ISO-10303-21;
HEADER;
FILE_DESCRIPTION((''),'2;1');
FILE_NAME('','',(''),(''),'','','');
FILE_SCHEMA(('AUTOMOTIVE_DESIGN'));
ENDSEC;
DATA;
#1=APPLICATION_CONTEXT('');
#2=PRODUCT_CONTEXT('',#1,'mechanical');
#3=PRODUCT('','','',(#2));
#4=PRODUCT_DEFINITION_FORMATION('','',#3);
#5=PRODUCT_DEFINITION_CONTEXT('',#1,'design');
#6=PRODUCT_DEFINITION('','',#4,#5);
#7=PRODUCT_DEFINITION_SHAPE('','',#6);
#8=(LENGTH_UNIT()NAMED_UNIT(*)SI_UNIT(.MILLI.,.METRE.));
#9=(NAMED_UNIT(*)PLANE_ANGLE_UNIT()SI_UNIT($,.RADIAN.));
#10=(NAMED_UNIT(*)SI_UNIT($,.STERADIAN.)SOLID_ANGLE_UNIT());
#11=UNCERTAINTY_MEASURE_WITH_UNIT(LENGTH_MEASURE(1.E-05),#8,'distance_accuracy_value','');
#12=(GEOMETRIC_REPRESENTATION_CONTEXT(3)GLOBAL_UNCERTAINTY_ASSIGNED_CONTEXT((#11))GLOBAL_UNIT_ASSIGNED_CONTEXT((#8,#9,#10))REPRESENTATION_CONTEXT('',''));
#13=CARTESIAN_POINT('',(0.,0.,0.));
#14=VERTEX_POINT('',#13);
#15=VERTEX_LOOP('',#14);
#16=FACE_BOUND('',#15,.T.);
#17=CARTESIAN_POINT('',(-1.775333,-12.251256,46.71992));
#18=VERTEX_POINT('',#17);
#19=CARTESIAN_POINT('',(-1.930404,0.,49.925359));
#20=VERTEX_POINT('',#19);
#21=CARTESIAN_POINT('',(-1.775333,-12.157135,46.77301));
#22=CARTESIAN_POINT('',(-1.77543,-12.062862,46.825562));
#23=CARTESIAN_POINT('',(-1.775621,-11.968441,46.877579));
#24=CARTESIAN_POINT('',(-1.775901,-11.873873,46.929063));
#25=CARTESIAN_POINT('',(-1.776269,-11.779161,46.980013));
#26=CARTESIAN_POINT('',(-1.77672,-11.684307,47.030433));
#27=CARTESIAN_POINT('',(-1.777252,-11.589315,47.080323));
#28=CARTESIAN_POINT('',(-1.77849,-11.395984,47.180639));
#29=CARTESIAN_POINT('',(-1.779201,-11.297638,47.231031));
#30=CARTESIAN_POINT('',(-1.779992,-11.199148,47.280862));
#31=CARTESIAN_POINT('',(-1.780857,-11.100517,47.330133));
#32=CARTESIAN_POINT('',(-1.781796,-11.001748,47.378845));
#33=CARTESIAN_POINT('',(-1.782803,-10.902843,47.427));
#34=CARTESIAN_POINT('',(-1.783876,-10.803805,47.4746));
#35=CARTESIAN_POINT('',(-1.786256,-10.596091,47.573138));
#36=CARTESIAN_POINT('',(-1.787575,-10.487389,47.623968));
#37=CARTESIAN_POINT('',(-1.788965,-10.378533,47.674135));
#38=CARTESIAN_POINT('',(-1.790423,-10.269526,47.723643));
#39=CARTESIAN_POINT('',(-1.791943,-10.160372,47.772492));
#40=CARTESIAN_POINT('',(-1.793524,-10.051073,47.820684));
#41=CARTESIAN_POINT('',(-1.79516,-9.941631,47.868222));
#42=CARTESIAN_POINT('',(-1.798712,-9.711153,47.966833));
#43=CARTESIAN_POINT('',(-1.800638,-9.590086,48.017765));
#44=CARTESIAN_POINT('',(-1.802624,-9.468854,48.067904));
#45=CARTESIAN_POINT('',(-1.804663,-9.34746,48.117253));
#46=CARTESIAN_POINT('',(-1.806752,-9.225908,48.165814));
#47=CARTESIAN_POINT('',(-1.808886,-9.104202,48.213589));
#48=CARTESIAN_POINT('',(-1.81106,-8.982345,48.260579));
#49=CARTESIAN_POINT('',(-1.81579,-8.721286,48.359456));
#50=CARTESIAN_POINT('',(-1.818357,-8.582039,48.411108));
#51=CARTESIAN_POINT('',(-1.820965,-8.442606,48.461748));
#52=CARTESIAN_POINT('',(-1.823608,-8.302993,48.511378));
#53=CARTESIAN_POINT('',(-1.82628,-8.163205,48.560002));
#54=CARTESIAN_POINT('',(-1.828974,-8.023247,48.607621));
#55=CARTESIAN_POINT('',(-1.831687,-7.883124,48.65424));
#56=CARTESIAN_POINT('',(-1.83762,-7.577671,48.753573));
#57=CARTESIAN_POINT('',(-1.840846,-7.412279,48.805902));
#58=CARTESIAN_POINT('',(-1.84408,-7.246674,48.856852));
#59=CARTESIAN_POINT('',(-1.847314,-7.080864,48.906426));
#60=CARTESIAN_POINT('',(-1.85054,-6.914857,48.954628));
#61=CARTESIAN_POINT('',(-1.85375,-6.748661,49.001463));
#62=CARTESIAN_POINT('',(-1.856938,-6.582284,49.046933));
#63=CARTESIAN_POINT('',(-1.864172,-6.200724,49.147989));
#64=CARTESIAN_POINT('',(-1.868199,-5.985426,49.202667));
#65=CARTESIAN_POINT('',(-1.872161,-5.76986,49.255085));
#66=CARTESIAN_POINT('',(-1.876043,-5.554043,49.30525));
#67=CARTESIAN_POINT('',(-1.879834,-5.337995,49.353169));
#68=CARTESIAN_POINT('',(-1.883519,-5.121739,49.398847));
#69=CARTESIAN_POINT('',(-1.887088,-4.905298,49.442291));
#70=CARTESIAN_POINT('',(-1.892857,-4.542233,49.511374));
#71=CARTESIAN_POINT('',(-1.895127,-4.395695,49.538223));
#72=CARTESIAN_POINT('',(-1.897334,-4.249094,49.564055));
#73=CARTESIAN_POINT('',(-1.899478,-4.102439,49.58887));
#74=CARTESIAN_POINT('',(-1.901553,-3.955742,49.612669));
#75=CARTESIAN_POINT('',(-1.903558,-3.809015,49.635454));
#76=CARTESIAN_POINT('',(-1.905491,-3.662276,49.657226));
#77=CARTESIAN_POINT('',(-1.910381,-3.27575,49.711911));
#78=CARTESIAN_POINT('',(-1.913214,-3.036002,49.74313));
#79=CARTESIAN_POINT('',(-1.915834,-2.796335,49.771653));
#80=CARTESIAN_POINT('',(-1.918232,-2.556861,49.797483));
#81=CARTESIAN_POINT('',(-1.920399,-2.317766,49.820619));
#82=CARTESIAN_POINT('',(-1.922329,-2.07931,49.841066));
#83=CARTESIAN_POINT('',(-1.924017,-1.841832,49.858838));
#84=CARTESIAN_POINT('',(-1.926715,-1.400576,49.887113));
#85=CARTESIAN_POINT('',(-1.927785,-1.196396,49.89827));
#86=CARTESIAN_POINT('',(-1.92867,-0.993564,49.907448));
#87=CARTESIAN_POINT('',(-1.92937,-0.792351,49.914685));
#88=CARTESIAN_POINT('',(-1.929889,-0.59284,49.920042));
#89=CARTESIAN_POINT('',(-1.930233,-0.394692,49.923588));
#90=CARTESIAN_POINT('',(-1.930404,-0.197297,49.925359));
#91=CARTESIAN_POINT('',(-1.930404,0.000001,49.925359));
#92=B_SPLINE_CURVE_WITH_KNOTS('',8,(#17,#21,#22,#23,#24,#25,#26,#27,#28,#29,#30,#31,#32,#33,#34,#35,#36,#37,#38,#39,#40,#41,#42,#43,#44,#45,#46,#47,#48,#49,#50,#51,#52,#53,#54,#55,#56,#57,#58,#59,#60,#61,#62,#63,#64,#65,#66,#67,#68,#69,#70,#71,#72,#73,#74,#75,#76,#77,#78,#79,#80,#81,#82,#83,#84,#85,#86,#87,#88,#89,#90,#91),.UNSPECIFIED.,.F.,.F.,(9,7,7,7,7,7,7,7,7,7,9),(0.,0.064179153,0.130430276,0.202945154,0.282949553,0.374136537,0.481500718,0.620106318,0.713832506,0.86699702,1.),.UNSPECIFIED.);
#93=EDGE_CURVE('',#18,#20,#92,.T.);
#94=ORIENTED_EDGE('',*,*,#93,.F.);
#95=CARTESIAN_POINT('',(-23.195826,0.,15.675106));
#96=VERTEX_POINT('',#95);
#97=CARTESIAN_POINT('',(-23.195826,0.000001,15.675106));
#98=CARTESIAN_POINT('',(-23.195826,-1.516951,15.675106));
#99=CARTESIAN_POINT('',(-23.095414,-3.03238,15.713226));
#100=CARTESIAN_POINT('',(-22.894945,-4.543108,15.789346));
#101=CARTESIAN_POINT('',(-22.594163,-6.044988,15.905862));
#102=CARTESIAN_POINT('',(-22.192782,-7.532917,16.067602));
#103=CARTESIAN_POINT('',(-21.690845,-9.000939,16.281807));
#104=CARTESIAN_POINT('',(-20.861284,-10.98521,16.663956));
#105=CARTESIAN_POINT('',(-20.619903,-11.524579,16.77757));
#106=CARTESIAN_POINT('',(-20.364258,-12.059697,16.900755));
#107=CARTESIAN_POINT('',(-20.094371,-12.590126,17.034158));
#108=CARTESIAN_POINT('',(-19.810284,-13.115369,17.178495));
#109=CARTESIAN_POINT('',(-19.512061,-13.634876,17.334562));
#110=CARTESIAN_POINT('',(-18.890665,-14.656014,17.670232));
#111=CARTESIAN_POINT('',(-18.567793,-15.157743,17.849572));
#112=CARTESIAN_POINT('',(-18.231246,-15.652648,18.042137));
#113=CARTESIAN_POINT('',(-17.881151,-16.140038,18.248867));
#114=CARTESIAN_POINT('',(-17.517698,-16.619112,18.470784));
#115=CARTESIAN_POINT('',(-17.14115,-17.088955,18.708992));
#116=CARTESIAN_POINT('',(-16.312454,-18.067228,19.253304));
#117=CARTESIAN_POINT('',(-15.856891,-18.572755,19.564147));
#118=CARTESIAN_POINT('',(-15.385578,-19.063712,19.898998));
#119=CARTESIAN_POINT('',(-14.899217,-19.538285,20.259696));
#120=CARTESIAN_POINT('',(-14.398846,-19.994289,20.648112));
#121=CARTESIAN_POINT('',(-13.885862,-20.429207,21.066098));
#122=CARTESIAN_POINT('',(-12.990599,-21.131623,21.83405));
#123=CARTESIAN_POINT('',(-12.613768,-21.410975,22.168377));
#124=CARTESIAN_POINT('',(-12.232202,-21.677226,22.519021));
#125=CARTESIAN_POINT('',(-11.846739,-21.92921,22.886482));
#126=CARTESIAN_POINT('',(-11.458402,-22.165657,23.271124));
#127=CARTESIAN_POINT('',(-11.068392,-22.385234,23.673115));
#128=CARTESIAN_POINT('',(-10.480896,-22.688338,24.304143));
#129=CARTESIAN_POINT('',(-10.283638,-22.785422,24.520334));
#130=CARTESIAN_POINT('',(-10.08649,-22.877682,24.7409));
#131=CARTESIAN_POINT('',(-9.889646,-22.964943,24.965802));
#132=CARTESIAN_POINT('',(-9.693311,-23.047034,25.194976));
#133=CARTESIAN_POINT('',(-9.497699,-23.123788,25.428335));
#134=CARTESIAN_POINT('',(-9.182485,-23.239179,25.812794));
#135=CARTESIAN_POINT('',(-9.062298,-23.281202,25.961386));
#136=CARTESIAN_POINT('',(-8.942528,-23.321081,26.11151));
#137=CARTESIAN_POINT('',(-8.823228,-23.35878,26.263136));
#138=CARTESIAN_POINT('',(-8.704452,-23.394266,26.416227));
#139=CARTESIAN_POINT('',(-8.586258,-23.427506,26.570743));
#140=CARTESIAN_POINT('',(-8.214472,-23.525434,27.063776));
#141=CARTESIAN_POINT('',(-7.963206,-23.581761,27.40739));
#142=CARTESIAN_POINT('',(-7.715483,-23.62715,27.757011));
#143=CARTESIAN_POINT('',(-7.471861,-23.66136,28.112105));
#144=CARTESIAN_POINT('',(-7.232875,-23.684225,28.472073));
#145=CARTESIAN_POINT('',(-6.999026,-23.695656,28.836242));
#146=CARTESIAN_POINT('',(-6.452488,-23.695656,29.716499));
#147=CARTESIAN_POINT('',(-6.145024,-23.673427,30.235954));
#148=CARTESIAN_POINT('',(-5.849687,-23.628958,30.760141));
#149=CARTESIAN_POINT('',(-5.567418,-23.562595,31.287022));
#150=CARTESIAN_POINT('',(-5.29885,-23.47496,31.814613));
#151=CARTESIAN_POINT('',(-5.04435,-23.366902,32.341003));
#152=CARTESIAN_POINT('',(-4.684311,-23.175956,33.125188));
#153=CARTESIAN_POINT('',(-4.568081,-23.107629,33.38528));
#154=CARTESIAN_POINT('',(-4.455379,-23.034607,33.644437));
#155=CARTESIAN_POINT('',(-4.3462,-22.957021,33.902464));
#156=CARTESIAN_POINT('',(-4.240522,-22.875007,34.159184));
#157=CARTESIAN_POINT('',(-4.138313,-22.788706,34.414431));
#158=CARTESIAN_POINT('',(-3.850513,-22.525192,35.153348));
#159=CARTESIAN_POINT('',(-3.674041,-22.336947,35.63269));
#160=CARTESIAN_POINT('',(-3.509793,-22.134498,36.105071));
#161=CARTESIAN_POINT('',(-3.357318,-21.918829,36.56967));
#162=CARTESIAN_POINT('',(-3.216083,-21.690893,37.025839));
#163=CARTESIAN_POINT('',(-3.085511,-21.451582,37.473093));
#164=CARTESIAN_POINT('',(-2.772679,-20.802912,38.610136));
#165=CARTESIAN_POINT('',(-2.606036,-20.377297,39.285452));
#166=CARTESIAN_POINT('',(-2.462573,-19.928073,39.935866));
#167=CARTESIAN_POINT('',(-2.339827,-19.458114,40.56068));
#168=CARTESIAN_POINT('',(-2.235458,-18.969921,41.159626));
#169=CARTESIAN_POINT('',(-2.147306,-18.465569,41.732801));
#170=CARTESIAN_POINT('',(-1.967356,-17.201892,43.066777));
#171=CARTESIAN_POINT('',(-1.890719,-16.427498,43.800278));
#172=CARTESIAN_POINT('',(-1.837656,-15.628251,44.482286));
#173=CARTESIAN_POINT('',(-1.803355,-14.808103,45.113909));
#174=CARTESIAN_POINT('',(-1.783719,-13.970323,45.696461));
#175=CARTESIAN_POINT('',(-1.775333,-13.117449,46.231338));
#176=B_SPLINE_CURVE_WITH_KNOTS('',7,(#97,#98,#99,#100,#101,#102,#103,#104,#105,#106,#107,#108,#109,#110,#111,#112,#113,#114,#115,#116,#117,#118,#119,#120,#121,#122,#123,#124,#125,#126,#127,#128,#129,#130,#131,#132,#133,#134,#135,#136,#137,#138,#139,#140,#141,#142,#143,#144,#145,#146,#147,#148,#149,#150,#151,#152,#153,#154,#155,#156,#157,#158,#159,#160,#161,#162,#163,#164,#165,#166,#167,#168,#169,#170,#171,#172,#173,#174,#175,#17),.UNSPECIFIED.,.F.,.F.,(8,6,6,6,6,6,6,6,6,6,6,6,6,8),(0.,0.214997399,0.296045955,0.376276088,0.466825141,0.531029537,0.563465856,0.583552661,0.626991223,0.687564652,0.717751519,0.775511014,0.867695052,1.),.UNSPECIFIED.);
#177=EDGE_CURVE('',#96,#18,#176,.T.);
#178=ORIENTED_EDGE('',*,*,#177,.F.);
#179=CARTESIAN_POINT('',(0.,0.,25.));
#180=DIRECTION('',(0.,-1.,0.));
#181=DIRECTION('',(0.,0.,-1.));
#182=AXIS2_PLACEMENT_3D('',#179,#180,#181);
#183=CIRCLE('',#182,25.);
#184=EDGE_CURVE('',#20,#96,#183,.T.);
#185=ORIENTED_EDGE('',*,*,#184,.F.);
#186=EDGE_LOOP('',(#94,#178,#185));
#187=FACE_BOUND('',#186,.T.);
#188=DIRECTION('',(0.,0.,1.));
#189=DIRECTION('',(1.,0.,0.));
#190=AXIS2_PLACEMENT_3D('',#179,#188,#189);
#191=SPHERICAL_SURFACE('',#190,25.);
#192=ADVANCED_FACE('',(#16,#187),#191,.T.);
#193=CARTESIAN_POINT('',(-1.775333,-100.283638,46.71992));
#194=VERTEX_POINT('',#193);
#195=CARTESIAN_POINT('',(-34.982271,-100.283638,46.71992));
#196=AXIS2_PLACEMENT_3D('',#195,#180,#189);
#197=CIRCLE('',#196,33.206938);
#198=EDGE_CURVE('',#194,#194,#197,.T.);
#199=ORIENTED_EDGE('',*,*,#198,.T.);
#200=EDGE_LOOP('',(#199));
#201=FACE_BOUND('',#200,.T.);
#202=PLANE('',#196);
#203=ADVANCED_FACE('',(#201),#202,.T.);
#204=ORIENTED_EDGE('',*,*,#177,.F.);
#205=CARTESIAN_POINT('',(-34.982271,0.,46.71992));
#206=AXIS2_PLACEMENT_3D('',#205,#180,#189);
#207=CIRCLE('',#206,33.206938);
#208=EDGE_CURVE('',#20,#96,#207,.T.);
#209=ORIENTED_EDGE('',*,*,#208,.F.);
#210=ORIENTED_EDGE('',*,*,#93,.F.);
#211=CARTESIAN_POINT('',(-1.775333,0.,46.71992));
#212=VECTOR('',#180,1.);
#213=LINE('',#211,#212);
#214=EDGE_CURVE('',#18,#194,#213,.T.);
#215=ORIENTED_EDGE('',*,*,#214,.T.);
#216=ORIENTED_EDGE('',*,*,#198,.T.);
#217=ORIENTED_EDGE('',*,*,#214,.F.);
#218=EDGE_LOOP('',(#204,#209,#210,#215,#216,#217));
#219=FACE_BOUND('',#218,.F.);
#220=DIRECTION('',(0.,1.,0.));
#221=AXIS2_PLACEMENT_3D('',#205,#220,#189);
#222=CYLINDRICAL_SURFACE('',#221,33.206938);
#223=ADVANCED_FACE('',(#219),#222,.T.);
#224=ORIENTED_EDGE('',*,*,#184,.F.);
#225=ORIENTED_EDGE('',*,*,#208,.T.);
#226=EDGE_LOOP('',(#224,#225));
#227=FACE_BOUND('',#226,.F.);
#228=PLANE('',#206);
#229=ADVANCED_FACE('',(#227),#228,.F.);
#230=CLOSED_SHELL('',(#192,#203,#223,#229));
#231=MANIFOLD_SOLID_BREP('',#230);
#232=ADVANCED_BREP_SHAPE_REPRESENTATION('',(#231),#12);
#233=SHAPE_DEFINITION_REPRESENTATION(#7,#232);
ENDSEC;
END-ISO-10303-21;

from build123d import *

# Parameters (mm, degrees)
F2_R     = 33.206938
F3_DEPTH = 100.283638


with BuildPart() as f1:
    # F0 (on Front) → F1 (revolve)
    with BuildSketch(Plane.XZ):
        with BuildLine():
            Line((0, 50), (0, 0))
            ThreePointArc((0, 0), (25, 25), (0, 50))
        make_face()
    revolve(axis=Axis((0, 0, 25), (0, 0, 1)))

    # F2 (on Front) → F3 (join)
    with BuildSketch(Plane.XZ):
        with Locations((-34.982271, 46.71992)):
            Circle(F2_R)
    extrude(amount=F3_DEPTH)


solid = f1.part
